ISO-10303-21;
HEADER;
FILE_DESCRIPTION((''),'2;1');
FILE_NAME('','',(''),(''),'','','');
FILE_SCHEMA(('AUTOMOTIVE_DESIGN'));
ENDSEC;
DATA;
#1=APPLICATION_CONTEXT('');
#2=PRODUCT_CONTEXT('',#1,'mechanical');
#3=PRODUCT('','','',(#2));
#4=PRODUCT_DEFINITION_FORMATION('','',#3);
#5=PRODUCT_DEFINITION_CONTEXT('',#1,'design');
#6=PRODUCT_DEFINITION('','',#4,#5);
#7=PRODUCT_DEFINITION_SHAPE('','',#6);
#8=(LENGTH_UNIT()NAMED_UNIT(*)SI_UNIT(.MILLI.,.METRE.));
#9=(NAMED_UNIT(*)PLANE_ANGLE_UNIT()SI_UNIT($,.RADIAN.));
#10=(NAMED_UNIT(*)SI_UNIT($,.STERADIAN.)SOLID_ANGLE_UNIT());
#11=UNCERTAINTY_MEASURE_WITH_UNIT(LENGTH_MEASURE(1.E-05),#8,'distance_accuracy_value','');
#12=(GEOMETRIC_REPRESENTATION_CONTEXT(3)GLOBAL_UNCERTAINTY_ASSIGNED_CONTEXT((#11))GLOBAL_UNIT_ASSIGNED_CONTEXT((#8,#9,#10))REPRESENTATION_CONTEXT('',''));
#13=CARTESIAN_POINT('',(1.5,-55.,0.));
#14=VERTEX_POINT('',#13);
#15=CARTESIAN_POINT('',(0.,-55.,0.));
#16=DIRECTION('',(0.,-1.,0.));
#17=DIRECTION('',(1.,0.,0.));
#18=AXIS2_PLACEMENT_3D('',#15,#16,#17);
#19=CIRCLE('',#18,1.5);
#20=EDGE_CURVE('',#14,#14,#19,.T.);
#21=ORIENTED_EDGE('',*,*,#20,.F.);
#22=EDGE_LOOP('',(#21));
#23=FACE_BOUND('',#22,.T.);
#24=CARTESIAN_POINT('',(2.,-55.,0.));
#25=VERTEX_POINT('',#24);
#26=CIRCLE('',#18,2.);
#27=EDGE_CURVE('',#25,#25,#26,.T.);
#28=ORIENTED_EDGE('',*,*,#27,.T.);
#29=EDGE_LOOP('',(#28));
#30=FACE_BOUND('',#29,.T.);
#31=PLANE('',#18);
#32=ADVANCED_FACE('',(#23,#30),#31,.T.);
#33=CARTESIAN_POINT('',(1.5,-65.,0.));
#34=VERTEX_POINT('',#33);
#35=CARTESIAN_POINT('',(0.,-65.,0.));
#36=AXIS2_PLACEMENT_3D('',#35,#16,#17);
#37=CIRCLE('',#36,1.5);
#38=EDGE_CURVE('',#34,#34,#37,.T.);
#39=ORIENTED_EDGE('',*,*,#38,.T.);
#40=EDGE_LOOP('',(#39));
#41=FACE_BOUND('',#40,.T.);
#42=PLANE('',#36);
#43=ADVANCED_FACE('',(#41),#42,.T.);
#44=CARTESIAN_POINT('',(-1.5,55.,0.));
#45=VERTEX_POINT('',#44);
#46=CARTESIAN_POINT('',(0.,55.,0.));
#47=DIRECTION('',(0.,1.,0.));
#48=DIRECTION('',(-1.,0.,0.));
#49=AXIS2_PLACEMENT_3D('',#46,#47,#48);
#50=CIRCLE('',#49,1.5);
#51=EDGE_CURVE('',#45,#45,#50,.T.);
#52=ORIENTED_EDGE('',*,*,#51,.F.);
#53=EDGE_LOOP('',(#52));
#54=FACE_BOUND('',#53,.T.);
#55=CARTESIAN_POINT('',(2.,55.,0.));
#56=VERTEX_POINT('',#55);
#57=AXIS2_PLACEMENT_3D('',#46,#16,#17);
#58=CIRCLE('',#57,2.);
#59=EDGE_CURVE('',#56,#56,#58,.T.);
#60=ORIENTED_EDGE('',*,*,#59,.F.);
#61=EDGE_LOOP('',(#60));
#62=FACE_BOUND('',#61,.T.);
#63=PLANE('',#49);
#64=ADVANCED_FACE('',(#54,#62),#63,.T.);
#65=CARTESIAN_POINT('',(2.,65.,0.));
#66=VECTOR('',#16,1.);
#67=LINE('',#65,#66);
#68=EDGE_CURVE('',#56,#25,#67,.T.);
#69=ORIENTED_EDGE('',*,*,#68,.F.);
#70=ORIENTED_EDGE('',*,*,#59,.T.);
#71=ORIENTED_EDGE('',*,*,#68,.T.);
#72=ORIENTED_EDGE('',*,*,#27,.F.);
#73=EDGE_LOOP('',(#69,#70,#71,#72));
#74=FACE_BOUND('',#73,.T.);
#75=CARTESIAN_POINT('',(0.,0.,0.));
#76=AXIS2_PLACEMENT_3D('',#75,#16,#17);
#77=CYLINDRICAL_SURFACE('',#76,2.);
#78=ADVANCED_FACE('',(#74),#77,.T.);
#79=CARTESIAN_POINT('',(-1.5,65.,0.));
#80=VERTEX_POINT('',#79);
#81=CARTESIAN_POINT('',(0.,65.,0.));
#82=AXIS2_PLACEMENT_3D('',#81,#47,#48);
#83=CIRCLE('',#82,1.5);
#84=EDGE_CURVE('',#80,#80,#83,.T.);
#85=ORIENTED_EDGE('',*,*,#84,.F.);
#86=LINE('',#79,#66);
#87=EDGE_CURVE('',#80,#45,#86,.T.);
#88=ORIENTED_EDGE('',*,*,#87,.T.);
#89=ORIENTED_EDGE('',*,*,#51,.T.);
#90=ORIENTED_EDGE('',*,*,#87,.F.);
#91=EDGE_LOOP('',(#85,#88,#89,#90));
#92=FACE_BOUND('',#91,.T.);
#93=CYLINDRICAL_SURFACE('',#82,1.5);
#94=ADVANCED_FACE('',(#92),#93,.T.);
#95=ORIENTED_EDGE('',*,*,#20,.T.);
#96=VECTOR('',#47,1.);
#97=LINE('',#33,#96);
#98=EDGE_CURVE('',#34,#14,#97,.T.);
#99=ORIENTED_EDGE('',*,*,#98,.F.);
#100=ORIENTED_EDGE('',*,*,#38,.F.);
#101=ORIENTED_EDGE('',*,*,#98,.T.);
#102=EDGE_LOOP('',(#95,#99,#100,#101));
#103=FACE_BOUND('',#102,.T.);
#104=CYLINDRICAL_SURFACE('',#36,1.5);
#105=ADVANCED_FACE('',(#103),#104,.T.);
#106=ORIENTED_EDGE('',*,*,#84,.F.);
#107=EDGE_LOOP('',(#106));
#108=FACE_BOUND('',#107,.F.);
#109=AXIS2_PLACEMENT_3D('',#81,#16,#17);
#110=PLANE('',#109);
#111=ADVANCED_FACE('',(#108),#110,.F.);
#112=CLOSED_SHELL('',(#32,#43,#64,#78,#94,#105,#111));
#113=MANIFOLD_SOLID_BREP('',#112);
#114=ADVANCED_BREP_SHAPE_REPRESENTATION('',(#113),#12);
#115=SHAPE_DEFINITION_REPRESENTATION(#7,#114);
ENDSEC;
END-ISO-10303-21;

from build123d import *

# Parameters (mm, degrees)
F0_R     = 2
F1_DEPTH = 65
F2_R     = 2
F2_R_2   = 1.5
F3_DEPTH = 10
F4_R     = 2
F4_R_2   = 1.5
F5_DEPTH = 10


with BuildPart() as f1:
    # F0 (on Front) → F1 (new body, symmetric)
    with BuildSketch(Plane.XZ):
        Circle(F0_R)
    extrude(amount=F1_DEPTH, both=True)

    # F2 (on face) → F3 (cut)
    with BuildSketch(Plane.XZ.offset(65)):
        Circle(F2_R)
        Circle(F2_R_2, mode=Mode.SUBTRACT)
    extrude(amount=-F3_DEPTH, mode=Mode.SUBTRACT)

    # F4 (on face) → F5 (cut)
    with BuildSketch(Plane(origin=(0, 65, 0), x_dir=(-1, 0, 0), z_dir=(0, 1, 0))):
        Circle(F4_R)
        Circle(F4_R_2, mode=Mode.SUBTRACT)
    extrude(amount=-F5_DEPTH, mode=Mode.SUBTRACT)


solid = f1.part
